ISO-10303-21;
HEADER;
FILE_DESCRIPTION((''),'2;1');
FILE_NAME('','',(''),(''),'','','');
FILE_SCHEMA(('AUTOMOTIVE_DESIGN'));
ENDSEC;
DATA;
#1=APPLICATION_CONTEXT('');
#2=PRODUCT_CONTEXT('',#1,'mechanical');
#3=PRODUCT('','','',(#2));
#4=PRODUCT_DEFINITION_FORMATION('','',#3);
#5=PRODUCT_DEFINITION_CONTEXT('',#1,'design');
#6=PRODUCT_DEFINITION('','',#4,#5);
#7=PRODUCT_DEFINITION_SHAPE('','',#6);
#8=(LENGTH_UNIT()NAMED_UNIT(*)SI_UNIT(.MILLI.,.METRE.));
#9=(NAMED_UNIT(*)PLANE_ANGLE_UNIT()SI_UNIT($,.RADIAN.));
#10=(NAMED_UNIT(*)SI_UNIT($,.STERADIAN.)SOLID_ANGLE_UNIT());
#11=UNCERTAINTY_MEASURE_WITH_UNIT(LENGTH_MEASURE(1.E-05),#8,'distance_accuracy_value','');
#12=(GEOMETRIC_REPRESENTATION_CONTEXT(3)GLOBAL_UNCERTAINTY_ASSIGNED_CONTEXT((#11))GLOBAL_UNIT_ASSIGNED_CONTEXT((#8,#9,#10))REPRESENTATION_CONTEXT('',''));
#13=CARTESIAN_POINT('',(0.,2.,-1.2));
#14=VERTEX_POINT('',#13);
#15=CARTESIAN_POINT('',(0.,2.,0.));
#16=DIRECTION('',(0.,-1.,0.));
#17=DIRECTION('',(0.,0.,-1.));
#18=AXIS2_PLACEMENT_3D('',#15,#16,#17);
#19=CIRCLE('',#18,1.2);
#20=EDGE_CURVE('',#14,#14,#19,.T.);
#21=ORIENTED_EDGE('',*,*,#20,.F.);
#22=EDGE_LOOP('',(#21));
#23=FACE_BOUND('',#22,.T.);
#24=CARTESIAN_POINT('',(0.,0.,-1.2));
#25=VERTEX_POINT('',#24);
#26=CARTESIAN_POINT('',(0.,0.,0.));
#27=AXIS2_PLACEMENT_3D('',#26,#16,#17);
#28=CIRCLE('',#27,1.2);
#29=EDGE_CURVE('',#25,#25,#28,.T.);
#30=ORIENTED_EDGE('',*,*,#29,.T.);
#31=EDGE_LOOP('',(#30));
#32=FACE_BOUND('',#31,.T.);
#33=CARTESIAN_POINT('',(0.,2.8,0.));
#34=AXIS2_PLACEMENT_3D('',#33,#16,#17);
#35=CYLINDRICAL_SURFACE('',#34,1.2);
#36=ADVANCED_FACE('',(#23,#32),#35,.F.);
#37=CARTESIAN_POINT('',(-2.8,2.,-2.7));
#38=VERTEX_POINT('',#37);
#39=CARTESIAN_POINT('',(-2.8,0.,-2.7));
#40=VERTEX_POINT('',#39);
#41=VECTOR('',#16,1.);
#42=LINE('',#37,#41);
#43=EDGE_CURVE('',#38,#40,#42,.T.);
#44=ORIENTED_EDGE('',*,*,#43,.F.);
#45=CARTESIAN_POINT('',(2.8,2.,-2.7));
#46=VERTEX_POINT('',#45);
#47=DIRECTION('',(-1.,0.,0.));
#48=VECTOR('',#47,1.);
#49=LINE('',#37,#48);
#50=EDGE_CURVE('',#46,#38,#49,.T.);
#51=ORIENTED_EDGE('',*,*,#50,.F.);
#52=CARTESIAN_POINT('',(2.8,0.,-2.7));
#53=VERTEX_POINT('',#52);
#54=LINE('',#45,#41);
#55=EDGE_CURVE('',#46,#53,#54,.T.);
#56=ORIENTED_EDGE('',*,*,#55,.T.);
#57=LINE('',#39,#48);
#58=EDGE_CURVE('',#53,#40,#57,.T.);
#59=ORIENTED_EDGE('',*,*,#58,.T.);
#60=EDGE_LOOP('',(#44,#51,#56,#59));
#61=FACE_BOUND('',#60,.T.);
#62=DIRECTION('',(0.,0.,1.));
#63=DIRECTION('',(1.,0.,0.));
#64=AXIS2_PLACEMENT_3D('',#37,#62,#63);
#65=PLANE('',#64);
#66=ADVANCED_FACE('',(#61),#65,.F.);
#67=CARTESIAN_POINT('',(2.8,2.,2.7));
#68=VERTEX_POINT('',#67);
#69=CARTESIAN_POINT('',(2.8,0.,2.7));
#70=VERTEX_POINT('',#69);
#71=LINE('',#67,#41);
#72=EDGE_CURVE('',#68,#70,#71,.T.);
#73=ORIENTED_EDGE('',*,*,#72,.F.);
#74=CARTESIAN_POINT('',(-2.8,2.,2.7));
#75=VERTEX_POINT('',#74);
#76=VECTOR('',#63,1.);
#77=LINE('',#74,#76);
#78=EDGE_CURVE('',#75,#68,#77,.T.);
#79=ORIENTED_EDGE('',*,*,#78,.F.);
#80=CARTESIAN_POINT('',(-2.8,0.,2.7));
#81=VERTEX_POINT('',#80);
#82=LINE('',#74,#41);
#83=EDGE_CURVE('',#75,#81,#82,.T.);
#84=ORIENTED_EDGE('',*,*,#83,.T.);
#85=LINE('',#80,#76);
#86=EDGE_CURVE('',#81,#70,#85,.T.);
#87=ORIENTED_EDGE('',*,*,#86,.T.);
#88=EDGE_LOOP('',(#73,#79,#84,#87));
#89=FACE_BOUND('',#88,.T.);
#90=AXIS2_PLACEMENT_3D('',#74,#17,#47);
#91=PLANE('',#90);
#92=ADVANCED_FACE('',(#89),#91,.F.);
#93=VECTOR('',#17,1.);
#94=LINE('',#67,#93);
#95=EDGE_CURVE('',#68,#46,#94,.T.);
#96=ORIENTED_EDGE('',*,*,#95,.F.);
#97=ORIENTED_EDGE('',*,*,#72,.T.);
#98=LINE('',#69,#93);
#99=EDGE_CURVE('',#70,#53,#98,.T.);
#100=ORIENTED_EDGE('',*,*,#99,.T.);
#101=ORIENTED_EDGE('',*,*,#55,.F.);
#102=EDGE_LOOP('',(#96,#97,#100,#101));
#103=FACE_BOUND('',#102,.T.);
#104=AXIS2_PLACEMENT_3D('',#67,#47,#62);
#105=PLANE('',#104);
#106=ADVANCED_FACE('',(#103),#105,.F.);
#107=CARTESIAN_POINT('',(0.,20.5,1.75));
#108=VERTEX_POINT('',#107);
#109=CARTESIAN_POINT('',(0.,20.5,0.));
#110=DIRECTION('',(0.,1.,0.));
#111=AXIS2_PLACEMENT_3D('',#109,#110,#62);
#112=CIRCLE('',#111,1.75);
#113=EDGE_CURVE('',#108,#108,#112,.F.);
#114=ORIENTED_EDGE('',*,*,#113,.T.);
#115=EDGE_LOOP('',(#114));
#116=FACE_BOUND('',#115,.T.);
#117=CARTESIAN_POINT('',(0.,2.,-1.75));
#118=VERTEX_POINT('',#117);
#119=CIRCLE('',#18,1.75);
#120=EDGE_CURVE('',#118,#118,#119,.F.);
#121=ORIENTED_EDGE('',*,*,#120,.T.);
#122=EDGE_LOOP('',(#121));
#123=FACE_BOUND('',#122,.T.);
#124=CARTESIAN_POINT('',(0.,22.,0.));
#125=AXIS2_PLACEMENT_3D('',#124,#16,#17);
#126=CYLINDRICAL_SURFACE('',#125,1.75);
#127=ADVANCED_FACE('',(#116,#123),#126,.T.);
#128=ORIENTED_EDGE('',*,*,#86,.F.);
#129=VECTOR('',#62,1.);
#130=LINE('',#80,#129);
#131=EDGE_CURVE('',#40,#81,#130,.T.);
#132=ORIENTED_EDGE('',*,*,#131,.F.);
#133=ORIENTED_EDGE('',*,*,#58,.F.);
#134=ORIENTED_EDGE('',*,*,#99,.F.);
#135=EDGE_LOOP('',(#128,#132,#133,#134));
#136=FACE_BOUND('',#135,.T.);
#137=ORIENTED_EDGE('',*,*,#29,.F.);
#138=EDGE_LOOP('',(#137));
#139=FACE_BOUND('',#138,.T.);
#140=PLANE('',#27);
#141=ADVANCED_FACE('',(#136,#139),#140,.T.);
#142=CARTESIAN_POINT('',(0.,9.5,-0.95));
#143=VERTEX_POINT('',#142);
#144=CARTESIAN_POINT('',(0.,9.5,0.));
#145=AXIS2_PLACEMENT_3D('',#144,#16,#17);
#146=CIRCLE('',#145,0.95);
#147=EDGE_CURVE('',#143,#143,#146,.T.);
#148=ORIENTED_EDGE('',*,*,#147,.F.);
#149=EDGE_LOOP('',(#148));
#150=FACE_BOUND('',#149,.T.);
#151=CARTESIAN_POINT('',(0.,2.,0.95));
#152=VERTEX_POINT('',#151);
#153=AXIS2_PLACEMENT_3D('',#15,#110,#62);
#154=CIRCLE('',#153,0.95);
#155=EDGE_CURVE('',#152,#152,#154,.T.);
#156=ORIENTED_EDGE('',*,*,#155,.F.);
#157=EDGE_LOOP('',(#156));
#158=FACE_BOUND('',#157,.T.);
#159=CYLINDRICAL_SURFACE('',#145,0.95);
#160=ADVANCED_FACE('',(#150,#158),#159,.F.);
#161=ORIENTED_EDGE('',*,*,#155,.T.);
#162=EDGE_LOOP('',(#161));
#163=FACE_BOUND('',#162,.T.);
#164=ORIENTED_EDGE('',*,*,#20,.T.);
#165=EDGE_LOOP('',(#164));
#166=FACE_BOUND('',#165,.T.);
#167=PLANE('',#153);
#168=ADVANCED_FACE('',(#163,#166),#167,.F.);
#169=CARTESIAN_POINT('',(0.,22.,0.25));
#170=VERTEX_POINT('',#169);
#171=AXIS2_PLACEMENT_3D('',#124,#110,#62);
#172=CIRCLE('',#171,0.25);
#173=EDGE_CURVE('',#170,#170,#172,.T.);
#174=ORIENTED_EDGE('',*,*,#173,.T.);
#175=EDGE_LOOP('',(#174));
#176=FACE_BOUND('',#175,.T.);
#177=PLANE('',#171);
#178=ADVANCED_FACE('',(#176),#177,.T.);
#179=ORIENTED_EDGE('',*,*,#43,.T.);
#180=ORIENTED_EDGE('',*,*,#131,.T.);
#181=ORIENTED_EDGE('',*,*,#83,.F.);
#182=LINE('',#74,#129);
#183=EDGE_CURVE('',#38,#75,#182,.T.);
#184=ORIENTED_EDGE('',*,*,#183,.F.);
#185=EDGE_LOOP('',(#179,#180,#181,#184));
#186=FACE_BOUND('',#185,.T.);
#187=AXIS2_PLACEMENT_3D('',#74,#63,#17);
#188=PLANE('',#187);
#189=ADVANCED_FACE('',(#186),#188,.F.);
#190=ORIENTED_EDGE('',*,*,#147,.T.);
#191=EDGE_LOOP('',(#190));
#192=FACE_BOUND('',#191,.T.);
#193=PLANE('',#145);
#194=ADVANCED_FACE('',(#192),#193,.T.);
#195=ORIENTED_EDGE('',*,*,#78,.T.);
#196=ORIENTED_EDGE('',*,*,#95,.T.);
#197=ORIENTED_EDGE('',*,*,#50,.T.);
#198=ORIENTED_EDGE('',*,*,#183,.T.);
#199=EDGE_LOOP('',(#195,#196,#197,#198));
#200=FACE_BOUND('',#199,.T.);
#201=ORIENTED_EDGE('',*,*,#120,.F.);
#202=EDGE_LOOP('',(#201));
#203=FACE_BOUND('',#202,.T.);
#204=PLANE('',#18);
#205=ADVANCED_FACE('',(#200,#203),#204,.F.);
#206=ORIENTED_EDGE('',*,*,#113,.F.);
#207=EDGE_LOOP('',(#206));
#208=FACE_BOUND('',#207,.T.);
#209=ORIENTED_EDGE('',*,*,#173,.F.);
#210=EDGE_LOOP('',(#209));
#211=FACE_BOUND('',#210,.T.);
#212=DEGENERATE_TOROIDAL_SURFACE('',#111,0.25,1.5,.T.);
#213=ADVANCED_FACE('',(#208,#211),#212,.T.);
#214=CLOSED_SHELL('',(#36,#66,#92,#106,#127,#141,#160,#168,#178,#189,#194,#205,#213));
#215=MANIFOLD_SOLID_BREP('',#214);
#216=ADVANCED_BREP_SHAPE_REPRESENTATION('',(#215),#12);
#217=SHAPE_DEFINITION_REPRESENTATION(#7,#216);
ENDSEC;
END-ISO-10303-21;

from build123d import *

# Parameters (mm, degrees)
SKETCH1_W           = 5.6
SKETCH1_H           = 5.4
BOSS_EXTRUDE1_DEPTH = 2
SKETCH3_R           = 0.95
CUT_EXTRUDE2_DEPTH  = 9.5
SKETCH7_R           = 1.2
CUT_EXTRUDE4_DEPTH  = 2.8
SKETCH2_R           = 1.75
BOSS_EXTRUDE2_DEPTH = 20
FILLET2_R           = 1.5
SKETCH8_R           = 0.95
CUT_EXTRUDE5_DEPTH  = 9.5


with BuildPart() as part:
    # Sketch1 → Boss-Extrude1 (new body)
    with BuildSketch(Plane(origin=(0, 0, 0), x_dir=(1, 0, 0), z_dir=(0, 1, 0))):
        Rectangle(SKETCH1_W, SKETCH1_H)
    extrude(amount=BOSS_EXTRUDE1_DEPTH)

    # Sketch3 → Cut-Extrude2 (cut)
    with BuildSketch(Plane.XZ):
        with Locations(Location((0, 0, 0), (0, 0, 270))):
            Circle(SKETCH3_R)
    extrude(amount=-CUT_EXTRUDE2_DEPTH, mode=Mode.SUBTRACT)

    # Sketch7 → Cut-Extrude4 (cut)
    with BuildSketch(Plane.XZ):
        with Locations(Location((0, 0, 0), (0, 0, 270))):
            Circle(SKETCH7_R)
    extrude(amount=-CUT_EXTRUDE4_DEPTH, mode=Mode.SUBTRACT)

    # Sketch2 → Boss-Extrude2 (add)
    with BuildSketch(Plane(origin=(0, 2, 0), x_dir=(1, 0, 0), z_dir=(0, 1, 0))):
        with Locations(Location((0, 0, 0), (0, 0, 90))):
            Circle(SKETCH2_R)
    extrude(amount=BOSS_EXTRUDE2_DEPTH)

    # Fillet2
    fillet2_edges = [part.edges().sort_by_distance(p)[0] for p in [
        (0, 22, 1.75),
    ]]
    fillet(fillet2_edges, radius=FILLET2_R)

    # Sketch8 → Cut-Extrude5 (cut)
    with BuildSketch(Plane.XZ):
        with Locations(Location((0, 0, 0), (0, 0, 270))):
            Circle(SKETCH8_R)
    extrude(amount=-CUT_EXTRUDE5_DEPTH, mode=Mode.SUBTRACT)


solid = part.part
